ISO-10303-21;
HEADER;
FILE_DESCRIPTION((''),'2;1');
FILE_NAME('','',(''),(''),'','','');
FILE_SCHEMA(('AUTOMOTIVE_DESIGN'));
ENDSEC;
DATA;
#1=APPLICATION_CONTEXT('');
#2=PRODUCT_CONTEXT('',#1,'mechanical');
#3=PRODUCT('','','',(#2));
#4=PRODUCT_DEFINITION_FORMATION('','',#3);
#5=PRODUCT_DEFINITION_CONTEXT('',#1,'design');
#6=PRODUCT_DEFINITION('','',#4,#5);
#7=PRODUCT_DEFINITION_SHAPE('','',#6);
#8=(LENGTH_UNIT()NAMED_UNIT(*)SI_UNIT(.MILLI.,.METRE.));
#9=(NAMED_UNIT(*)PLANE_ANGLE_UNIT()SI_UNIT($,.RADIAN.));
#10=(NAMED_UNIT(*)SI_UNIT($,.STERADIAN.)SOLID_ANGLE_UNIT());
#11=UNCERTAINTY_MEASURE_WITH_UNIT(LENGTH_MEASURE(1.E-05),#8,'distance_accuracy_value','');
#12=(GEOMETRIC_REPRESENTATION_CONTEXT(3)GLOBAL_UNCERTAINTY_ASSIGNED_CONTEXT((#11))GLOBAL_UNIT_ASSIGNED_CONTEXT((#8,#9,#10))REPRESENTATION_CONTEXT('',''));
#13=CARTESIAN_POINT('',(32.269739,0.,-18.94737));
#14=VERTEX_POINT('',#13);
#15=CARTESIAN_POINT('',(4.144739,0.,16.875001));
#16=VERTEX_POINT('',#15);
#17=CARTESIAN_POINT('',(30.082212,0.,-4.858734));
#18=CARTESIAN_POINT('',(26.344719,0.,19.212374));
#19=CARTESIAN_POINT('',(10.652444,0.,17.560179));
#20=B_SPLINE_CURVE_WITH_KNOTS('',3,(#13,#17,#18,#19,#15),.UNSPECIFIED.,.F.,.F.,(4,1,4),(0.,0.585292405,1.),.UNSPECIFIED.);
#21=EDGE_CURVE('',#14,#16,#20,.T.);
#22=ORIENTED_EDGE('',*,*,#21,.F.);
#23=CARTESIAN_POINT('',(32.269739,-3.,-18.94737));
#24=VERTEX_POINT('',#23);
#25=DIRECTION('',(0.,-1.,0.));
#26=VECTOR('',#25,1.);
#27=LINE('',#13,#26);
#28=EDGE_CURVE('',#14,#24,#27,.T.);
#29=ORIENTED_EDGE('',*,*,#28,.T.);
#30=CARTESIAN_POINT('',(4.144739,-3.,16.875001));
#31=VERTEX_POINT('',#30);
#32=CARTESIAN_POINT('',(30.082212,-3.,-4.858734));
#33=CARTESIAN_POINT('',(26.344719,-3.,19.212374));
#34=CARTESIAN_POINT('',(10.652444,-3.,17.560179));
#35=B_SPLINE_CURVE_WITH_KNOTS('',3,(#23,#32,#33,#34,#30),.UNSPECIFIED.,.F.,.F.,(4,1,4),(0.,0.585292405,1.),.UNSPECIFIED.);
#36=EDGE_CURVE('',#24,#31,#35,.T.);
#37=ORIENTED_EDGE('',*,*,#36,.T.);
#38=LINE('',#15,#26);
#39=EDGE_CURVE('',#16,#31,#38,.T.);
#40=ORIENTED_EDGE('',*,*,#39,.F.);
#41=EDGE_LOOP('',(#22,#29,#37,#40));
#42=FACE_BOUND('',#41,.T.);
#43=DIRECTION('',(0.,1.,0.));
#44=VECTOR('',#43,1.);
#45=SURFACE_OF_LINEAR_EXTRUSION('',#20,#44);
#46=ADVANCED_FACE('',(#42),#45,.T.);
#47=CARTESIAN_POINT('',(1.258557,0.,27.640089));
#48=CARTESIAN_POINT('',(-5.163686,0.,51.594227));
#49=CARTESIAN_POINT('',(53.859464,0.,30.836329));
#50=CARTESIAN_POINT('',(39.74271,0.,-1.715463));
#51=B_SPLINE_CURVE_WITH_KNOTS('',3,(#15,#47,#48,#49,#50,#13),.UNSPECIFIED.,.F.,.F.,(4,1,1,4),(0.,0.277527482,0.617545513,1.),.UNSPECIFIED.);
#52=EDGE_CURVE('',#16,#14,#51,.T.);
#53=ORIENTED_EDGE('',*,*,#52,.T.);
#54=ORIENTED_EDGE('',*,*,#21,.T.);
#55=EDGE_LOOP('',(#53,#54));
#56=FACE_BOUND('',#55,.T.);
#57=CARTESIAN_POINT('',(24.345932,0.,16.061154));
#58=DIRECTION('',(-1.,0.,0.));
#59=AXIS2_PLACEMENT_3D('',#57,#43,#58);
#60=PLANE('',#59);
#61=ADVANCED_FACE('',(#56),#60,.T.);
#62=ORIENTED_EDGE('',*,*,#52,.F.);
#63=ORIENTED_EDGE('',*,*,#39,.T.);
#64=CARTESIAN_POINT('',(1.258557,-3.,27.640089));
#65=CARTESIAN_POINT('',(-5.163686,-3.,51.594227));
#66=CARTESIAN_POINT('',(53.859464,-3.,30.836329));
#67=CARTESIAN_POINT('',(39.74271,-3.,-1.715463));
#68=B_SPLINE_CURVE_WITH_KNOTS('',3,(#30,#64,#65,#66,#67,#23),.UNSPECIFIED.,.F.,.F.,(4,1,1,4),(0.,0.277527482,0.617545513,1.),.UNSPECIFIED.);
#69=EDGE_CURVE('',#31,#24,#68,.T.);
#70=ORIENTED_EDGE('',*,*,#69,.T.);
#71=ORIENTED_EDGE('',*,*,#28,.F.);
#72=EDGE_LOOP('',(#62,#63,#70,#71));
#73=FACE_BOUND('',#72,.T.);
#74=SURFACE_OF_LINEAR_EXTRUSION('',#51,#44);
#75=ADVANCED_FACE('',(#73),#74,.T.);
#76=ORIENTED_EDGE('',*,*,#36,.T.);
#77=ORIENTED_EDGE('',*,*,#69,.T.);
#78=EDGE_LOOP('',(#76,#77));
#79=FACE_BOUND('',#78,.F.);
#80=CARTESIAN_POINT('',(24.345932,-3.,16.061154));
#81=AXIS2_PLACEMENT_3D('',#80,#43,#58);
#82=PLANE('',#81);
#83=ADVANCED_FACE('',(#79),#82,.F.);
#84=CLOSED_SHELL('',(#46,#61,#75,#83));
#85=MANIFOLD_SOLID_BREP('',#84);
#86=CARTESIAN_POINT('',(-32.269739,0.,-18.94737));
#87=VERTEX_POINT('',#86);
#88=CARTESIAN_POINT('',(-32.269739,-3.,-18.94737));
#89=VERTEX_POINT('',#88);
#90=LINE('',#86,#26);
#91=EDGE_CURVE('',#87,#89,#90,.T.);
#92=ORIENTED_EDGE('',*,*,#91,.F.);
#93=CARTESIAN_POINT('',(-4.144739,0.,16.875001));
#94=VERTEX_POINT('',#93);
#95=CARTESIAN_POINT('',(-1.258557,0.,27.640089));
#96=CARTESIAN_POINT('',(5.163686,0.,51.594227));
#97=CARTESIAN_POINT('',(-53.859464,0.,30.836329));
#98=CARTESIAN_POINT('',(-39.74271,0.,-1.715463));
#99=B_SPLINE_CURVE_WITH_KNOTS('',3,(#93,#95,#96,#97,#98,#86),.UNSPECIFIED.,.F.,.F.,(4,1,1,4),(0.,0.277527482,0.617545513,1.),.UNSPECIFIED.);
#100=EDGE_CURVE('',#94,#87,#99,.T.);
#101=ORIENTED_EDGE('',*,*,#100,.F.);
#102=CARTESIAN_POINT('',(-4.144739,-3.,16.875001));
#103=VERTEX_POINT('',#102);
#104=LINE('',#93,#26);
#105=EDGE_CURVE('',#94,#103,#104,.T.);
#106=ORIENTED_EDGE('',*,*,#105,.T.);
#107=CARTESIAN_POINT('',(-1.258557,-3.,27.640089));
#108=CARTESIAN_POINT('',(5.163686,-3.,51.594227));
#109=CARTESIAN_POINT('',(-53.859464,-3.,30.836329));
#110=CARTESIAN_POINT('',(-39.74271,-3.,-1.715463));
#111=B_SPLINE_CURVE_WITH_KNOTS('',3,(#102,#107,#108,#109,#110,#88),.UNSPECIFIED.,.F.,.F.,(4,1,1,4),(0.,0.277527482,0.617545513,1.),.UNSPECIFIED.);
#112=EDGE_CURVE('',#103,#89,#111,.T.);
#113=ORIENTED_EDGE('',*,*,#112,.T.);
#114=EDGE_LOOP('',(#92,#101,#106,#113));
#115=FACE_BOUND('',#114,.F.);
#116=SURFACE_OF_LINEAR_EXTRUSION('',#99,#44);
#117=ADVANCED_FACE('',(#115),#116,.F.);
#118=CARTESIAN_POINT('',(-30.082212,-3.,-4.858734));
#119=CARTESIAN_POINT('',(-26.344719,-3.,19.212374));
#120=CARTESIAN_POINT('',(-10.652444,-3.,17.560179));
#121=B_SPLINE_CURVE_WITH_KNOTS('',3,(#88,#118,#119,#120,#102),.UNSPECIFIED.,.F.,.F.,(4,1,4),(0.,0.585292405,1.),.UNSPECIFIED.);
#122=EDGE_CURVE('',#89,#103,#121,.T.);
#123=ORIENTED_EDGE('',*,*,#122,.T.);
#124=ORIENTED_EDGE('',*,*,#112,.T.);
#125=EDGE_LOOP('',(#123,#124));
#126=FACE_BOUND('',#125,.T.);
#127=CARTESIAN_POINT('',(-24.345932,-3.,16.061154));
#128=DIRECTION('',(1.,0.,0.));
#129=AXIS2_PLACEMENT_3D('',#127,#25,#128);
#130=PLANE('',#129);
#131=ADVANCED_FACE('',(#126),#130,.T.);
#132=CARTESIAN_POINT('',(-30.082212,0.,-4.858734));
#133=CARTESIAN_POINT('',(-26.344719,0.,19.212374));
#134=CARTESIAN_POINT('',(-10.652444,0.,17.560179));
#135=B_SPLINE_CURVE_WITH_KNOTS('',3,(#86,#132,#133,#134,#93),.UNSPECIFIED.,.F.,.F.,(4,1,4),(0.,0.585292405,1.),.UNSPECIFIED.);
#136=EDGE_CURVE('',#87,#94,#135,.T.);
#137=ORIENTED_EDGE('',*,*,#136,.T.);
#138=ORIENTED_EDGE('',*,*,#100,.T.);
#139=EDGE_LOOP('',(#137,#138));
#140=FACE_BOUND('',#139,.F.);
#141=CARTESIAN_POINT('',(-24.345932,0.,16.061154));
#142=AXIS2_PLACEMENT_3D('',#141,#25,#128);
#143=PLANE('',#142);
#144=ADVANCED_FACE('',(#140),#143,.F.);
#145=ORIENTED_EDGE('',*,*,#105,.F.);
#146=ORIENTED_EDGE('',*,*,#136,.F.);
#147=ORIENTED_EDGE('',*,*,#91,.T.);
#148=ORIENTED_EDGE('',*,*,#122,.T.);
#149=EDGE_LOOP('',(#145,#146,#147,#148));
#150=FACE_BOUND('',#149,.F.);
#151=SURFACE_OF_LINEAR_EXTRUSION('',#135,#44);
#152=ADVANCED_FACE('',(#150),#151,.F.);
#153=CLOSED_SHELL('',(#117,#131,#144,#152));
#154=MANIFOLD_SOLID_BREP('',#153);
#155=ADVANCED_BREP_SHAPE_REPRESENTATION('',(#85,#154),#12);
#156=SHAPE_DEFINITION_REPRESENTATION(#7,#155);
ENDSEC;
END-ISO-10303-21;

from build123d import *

# Parameters (mm, degrees)
F1_DEPTH = 3


with BuildPart() as f1:
    # F0 (on Front) → F1 (new body)
    with BuildSketch(Plane.XZ):
        with BuildLine():
            add(Edge.make_bspline(
                [(4.144738894, 16.8750006706), (1.2585566832, 27.6400886869), (-5.1636861275, 51.5942274317), (53.8594640403, 30.8363291653), (39.7427095209, -1.7154634709), (32.2697386146, -18.9473703504)],
                knots=[0, 0, 0, 0, 0.2775274816, 0.6175455128, 1, 1, 1, 1], degree=3))
            add(Edge.make_bspline(
                [(32.2697386146, -18.9473703504), (30.0822121184, -4.8587338138), (26.3447187279, 19.2123739091), (10.6524442844, 17.5601786094), (4.144738894, 16.8750006706)],
                knots=[0, 0, 0, 0, 0.5852924053, 1, 1, 1, 1], degree=3))
        make_face()
    extrude(amount=F1_DEPTH)


with BuildPart() as f1b:
    # F0 (on Front) → F1, piece 2 (new body)
    with BuildSketch(Plane.XZ):
        with BuildLine():
            add(Edge.make_bspline(
                [(-32.2697386146, -18.9473703504), (-30.0822121184, -4.8587338138), (-26.3447187279, 19.2123739091), (-10.6524442844, 17.5601786094), (-4.144738894, 16.8750006706)],
                knots=[0, 0, 0, 0, 0.5852924053, 1, 1, 1, 1], degree=3))
            add(Edge.make_bspline(
                [(-4.144738894, 16.8750006706), (-1.2585566832, 27.6400886869), (5.1636861275, 51.5942274317), (-53.8594640403, 30.8363291653), (-39.7427095209, -1.7154634709), (-32.2697386146, -18.9473703504)],
                knots=[0, 0, 0, 0, 0.2775274816, 0.6175455128, 1, 1, 1, 1], degree=3))
        make_face()
    extrude(amount=F1_DEPTH)


solid = Compound([f1.part, f1b.part])
